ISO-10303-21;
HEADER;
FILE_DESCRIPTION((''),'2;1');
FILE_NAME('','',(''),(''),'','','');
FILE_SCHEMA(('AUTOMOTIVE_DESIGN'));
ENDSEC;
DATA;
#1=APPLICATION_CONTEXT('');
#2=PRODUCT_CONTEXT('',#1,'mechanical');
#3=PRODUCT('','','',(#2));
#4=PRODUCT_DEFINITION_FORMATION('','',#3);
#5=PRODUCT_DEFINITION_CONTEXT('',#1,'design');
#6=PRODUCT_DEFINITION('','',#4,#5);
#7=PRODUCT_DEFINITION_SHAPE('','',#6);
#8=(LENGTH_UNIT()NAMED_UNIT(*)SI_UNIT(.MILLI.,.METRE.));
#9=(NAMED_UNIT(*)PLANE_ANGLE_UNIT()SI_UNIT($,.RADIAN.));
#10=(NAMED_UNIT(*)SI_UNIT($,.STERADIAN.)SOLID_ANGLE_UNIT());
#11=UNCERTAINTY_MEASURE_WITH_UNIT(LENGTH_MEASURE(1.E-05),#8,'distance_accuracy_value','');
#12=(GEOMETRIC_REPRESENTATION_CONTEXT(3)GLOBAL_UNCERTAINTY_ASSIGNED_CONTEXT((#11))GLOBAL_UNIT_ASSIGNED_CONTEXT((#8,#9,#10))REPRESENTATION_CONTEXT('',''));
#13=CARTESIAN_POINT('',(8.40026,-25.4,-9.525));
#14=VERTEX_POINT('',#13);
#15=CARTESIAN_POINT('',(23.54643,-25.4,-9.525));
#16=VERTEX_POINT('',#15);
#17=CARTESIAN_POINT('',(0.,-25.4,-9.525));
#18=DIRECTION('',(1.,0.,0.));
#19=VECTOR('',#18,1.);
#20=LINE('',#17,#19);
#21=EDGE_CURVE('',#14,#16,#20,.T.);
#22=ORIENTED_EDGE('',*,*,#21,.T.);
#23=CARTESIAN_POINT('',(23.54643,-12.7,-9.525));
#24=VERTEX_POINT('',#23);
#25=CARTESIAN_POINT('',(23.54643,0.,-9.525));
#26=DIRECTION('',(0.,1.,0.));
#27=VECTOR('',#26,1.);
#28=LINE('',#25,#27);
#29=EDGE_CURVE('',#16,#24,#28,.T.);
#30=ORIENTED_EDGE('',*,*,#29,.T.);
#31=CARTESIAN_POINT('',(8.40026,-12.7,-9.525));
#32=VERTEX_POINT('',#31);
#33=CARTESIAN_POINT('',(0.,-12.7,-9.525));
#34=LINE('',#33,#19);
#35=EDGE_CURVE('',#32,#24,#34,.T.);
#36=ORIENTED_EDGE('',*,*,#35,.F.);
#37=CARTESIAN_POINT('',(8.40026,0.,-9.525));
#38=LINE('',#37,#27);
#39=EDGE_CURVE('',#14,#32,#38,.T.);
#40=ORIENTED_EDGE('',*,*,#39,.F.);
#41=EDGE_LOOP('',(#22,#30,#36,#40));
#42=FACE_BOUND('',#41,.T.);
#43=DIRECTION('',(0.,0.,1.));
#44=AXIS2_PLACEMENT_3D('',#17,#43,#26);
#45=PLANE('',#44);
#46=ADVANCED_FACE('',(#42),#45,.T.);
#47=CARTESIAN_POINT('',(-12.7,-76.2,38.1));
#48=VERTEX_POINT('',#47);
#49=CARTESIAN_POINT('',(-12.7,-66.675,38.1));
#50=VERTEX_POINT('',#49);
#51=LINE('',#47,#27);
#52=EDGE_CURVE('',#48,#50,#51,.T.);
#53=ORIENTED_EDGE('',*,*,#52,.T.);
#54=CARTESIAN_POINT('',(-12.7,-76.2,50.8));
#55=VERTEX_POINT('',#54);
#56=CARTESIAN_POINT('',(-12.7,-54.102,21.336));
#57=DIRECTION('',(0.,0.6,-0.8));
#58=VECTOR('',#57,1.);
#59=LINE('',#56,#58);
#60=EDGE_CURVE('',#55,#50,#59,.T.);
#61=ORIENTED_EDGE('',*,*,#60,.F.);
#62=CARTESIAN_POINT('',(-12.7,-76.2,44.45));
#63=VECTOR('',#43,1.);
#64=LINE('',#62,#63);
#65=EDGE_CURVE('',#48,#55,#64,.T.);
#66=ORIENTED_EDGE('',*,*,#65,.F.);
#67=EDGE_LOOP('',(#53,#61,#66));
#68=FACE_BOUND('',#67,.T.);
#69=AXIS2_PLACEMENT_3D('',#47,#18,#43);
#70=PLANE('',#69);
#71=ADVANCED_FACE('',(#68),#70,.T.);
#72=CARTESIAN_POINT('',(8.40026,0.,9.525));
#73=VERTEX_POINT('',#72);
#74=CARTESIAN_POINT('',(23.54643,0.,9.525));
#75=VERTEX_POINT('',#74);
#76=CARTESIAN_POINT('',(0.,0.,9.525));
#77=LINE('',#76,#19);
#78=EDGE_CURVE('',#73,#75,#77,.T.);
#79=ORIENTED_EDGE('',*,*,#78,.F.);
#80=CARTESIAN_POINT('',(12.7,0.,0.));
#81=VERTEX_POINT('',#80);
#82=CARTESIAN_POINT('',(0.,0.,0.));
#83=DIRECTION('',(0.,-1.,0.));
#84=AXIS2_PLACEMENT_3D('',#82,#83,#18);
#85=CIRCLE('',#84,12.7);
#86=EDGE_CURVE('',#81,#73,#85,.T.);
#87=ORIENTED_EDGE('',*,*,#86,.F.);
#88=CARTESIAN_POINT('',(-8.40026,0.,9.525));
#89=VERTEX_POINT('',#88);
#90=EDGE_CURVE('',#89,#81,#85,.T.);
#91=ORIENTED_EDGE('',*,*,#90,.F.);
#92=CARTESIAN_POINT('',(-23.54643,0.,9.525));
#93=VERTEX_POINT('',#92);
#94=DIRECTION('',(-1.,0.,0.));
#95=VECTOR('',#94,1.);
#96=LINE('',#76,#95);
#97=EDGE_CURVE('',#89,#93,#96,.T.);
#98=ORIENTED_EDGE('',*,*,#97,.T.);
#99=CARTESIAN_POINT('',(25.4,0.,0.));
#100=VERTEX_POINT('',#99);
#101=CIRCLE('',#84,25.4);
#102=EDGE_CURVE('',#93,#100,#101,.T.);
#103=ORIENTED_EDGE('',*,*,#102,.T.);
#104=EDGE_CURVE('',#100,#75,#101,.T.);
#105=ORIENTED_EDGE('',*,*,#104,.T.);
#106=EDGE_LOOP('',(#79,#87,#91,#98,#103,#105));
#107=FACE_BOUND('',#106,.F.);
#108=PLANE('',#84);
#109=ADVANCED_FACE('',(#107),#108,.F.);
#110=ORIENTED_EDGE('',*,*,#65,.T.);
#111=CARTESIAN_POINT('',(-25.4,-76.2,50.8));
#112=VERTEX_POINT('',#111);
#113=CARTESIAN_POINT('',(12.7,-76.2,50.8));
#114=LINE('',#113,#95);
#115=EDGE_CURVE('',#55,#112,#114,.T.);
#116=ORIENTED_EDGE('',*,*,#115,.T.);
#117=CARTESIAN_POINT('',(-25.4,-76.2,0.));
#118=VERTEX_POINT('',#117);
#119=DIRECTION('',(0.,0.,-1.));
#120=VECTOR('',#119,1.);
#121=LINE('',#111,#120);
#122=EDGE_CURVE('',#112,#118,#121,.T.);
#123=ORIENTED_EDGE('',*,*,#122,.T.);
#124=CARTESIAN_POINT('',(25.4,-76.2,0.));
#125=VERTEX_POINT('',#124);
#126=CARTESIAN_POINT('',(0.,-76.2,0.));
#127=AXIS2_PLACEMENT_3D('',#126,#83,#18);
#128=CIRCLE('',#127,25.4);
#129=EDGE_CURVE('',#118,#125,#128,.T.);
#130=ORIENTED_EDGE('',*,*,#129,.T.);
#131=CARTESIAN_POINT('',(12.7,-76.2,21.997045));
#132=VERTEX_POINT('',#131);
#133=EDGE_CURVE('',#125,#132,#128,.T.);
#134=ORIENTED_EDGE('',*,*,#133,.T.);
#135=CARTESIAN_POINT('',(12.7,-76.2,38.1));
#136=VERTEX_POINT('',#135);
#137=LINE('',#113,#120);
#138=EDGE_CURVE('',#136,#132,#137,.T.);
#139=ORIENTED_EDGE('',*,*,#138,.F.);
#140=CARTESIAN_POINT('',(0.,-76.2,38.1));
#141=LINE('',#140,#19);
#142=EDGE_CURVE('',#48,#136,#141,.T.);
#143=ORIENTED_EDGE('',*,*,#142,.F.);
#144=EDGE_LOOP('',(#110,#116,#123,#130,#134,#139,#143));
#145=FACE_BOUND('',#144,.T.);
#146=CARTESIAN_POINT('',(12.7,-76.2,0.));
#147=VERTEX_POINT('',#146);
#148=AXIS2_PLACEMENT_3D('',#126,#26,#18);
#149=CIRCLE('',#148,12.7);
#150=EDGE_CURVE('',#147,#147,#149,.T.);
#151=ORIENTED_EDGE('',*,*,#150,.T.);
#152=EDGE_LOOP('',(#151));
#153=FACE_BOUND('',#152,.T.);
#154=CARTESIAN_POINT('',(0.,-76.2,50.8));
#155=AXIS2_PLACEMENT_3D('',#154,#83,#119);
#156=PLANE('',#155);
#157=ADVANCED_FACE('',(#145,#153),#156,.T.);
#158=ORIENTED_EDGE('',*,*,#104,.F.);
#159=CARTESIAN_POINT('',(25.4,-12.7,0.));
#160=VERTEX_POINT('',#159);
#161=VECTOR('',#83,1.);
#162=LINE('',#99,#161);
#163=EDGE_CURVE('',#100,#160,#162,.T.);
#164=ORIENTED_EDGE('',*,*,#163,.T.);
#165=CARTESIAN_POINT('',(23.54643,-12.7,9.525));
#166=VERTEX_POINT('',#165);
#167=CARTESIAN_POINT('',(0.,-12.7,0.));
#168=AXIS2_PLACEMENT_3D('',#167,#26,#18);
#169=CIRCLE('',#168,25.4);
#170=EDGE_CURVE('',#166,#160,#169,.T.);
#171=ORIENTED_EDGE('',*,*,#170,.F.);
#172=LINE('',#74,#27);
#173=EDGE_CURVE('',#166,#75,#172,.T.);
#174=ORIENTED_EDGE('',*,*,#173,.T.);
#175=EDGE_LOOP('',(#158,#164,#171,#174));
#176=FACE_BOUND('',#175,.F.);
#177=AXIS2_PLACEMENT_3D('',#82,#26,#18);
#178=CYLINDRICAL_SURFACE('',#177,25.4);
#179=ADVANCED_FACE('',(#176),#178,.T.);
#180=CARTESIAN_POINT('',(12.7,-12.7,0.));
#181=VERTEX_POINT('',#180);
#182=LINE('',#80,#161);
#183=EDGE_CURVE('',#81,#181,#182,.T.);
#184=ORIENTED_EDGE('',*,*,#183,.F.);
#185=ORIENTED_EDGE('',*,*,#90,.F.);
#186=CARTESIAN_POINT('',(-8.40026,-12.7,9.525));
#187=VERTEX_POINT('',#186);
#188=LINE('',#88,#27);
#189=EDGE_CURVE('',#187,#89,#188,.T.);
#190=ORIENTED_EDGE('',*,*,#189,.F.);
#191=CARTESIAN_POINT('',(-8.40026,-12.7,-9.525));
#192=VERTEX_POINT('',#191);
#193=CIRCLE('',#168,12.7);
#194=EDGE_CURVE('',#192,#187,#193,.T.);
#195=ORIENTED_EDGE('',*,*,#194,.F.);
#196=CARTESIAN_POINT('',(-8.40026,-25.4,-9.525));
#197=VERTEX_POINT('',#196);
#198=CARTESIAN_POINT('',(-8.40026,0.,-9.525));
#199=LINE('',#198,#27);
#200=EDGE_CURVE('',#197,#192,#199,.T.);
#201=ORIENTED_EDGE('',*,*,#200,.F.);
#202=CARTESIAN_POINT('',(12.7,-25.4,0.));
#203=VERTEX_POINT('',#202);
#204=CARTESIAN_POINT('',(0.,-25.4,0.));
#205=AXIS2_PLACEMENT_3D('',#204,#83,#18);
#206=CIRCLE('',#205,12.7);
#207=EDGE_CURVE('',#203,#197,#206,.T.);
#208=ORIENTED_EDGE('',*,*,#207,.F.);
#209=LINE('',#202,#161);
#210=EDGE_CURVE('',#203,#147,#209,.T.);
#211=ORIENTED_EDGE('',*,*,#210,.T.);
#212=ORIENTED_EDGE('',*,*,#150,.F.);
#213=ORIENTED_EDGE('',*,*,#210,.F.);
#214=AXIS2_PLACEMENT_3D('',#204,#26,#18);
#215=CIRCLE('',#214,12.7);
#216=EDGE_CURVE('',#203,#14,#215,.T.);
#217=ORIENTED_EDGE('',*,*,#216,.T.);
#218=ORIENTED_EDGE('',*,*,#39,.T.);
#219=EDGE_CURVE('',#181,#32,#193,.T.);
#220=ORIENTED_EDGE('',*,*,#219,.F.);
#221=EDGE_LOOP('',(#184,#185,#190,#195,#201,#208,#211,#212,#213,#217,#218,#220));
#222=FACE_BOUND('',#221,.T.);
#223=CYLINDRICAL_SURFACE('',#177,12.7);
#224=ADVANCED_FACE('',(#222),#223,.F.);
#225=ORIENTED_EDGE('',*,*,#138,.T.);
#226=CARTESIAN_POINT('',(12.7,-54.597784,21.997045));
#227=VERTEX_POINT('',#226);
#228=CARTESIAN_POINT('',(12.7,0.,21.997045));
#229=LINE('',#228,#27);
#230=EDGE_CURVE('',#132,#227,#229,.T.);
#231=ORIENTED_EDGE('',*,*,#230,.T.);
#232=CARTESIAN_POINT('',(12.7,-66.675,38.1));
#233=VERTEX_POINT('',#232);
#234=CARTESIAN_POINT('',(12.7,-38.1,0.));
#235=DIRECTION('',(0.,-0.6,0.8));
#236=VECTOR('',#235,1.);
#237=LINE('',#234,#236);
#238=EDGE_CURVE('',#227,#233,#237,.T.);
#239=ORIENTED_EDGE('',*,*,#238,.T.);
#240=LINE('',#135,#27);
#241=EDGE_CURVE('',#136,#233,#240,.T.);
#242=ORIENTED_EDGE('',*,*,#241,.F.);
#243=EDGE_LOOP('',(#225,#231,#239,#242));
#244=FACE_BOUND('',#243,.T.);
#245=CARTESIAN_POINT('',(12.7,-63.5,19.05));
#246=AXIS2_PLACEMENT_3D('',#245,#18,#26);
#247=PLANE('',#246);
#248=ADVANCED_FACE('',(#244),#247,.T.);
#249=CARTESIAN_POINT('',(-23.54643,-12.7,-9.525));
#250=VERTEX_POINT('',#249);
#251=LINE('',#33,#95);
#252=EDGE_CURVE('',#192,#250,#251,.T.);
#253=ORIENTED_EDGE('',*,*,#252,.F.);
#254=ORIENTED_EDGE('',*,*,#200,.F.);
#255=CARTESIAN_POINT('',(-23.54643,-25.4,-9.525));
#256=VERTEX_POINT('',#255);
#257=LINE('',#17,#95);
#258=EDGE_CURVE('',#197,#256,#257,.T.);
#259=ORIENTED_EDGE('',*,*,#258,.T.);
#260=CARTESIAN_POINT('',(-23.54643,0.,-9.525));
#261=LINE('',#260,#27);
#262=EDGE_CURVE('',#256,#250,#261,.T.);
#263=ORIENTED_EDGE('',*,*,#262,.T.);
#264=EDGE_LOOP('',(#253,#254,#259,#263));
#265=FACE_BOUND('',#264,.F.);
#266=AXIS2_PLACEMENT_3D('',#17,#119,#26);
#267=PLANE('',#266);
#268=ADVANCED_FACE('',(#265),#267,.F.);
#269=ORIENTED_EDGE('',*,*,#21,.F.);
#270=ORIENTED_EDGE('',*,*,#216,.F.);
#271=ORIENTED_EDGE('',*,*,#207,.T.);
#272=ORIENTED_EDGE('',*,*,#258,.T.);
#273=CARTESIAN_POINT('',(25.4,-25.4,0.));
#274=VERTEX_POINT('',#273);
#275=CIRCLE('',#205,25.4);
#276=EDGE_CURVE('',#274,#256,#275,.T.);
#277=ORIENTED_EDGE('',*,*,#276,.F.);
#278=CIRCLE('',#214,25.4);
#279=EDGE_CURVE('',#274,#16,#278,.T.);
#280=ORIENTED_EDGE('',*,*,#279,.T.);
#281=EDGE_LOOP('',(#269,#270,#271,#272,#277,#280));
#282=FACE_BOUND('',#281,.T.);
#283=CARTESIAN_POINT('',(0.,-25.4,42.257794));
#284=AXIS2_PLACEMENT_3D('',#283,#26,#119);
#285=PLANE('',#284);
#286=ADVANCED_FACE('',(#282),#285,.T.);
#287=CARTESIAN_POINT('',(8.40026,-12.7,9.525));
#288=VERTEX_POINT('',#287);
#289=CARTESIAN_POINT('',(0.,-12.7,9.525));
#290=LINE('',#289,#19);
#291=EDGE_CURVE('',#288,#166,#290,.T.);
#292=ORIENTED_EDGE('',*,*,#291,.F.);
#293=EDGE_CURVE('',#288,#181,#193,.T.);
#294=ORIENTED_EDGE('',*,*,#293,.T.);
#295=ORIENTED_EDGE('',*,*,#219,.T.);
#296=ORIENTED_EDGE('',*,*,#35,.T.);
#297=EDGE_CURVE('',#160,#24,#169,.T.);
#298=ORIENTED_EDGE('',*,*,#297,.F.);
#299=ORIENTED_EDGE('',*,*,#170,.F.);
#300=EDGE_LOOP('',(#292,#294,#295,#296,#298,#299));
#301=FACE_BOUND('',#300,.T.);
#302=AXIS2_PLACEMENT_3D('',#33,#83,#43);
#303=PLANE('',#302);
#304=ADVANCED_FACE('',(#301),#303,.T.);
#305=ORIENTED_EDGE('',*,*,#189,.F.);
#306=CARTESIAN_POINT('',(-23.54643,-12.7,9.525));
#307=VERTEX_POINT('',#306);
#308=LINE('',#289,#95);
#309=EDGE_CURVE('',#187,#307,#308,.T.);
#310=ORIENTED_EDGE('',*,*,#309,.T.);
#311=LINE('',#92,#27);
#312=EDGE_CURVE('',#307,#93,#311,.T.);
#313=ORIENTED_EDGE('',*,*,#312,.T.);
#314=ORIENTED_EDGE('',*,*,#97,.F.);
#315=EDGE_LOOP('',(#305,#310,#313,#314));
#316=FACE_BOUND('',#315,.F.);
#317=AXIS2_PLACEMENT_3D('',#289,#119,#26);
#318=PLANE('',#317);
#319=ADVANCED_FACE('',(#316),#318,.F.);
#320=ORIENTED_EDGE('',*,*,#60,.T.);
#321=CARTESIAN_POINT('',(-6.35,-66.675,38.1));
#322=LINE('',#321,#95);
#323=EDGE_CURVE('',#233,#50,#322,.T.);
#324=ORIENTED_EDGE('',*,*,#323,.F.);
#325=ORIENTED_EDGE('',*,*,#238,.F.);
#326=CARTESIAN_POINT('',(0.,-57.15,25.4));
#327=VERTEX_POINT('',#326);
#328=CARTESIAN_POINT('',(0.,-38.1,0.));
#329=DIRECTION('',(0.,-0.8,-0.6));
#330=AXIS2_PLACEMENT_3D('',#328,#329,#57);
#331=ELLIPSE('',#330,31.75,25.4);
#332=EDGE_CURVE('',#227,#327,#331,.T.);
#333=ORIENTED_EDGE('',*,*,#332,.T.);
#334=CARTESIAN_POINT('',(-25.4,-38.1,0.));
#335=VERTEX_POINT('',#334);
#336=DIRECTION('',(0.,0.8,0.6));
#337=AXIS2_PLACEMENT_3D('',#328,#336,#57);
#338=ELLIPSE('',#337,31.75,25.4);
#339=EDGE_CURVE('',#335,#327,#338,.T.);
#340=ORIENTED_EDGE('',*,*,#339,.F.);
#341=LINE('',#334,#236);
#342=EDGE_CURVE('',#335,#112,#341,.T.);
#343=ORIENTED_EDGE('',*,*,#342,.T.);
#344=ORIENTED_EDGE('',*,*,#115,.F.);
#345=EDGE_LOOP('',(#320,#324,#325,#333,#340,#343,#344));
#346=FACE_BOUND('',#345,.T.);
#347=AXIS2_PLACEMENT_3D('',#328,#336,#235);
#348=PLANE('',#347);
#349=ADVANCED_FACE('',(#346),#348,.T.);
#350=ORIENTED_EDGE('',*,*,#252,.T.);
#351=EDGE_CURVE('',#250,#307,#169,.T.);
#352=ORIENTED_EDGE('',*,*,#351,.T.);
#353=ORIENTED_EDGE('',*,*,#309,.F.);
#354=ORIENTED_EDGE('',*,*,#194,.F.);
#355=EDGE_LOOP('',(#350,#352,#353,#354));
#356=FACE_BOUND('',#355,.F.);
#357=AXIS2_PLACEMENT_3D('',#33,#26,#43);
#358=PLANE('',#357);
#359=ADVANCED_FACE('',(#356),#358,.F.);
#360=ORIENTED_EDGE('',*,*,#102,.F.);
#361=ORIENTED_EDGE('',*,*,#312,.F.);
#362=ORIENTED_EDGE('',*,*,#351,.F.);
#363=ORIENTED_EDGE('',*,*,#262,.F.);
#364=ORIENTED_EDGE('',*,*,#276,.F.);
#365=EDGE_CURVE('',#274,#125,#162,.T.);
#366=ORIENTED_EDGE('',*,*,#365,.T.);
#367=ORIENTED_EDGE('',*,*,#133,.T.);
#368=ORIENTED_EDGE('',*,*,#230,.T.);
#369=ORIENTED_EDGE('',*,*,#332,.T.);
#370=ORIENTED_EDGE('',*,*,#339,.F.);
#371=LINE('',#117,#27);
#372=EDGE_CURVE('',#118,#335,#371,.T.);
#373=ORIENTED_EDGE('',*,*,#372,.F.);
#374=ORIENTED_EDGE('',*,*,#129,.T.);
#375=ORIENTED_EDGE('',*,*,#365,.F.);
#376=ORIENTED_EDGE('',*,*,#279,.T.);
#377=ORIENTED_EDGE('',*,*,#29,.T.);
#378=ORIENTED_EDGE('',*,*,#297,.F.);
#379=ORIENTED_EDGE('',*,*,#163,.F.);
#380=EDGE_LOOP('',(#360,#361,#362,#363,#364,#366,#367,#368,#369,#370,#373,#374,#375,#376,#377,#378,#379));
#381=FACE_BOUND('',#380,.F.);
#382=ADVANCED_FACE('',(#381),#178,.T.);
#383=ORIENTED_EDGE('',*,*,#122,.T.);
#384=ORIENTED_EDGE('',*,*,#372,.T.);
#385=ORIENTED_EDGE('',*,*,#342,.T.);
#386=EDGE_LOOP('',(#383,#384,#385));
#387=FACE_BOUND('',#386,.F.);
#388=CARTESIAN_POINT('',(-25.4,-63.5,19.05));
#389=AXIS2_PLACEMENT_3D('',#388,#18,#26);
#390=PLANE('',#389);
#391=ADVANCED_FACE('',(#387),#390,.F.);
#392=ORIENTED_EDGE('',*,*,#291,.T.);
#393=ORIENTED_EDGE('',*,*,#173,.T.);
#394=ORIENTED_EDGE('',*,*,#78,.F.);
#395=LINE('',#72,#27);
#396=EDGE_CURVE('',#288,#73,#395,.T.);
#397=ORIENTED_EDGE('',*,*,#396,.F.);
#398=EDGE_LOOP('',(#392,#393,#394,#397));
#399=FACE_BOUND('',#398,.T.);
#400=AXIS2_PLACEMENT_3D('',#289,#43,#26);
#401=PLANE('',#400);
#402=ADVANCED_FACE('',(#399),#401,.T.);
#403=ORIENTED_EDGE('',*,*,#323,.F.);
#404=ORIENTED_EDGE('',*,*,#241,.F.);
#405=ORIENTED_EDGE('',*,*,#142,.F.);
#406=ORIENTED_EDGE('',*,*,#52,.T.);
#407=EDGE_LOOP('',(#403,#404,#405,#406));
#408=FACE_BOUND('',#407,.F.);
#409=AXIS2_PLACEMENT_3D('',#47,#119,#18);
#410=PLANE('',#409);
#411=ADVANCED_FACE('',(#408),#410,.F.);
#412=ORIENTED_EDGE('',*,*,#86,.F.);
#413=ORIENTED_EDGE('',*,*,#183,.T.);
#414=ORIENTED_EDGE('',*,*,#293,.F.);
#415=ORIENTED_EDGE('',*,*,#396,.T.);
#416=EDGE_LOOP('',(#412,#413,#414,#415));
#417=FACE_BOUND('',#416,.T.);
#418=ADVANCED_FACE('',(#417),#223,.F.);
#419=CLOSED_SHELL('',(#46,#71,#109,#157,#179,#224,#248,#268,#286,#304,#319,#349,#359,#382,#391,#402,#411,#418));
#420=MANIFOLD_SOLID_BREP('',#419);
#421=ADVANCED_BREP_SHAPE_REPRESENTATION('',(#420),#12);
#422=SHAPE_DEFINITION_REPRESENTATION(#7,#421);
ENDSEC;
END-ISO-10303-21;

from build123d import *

# Parameters (mm, degrees)
F0_R          = 25.4
F0_R_2        = 12.7
F1_DEPTH      = 76.2
F3_DEPTH      = 25.401
F3_DEPTH_BACK = 25.401
F5_DEPTH      = 12.7
F5_DEPTH_BACK = 25.4
F6_R          = 12.7
F7_DEPTH      = 76.201
F8_W          = 25.4
F8_H          = 12.7
F9_DEPTH      = 25.4


with BuildPart() as f1:
    # F0 (on Front) → F1 (new body)
    with BuildSketch(Plane.XZ):
        Circle(F0_R)
        Circle(F0_R_2, mode=Mode.SUBTRACT)
    extrude(amount=F1_DEPTH)

    # F2 (on Right) → F3 (cut, two sides)
    with BuildSketch(Plane.YZ) as f3_sk:
        Polygon((0, 42.2577936794), (-25.4, 42.2577936794), (-25.4, -9.525), (-12.7, -9.525), (-12.7, 9.525), (0, 9.525), align=None)
    extrude(amount=-F3_DEPTH, mode=Mode.SUBTRACT)
    extrude(f3_sk.sketch, amount=F3_DEPTH_BACK, mode=Mode.SUBTRACT)

    # F4 (on Right) → F5 (join, two sides)
    with BuildSketch(Plane.YZ) as f5_sk:
        Polygon((-76.2, 50.8), (-76.2, 0), (-38.1, 0), align=None)
    extrude(amount=F5_DEPTH)
    extrude(f5_sk.sketch, amount=-F5_DEPTH_BACK)

    # F6 (on face) → F7 (cut, through all)
    with BuildSketch(Plane.XZ.offset(76.2)):
        Circle(F6_R)
    extrude(amount=-F7_DEPTH, mode=Mode.SUBTRACT)

    # F8 (on face) → F9 (cut)
    with BuildSketch(Plane.XZ.offset(76.2)):
        with Locations((0, 44.45)):
            Rectangle(F8_W, F8_H)
    extrude(amount=-F9_DEPTH, mode=Mode.SUBTRACT)


solid = f1.part
